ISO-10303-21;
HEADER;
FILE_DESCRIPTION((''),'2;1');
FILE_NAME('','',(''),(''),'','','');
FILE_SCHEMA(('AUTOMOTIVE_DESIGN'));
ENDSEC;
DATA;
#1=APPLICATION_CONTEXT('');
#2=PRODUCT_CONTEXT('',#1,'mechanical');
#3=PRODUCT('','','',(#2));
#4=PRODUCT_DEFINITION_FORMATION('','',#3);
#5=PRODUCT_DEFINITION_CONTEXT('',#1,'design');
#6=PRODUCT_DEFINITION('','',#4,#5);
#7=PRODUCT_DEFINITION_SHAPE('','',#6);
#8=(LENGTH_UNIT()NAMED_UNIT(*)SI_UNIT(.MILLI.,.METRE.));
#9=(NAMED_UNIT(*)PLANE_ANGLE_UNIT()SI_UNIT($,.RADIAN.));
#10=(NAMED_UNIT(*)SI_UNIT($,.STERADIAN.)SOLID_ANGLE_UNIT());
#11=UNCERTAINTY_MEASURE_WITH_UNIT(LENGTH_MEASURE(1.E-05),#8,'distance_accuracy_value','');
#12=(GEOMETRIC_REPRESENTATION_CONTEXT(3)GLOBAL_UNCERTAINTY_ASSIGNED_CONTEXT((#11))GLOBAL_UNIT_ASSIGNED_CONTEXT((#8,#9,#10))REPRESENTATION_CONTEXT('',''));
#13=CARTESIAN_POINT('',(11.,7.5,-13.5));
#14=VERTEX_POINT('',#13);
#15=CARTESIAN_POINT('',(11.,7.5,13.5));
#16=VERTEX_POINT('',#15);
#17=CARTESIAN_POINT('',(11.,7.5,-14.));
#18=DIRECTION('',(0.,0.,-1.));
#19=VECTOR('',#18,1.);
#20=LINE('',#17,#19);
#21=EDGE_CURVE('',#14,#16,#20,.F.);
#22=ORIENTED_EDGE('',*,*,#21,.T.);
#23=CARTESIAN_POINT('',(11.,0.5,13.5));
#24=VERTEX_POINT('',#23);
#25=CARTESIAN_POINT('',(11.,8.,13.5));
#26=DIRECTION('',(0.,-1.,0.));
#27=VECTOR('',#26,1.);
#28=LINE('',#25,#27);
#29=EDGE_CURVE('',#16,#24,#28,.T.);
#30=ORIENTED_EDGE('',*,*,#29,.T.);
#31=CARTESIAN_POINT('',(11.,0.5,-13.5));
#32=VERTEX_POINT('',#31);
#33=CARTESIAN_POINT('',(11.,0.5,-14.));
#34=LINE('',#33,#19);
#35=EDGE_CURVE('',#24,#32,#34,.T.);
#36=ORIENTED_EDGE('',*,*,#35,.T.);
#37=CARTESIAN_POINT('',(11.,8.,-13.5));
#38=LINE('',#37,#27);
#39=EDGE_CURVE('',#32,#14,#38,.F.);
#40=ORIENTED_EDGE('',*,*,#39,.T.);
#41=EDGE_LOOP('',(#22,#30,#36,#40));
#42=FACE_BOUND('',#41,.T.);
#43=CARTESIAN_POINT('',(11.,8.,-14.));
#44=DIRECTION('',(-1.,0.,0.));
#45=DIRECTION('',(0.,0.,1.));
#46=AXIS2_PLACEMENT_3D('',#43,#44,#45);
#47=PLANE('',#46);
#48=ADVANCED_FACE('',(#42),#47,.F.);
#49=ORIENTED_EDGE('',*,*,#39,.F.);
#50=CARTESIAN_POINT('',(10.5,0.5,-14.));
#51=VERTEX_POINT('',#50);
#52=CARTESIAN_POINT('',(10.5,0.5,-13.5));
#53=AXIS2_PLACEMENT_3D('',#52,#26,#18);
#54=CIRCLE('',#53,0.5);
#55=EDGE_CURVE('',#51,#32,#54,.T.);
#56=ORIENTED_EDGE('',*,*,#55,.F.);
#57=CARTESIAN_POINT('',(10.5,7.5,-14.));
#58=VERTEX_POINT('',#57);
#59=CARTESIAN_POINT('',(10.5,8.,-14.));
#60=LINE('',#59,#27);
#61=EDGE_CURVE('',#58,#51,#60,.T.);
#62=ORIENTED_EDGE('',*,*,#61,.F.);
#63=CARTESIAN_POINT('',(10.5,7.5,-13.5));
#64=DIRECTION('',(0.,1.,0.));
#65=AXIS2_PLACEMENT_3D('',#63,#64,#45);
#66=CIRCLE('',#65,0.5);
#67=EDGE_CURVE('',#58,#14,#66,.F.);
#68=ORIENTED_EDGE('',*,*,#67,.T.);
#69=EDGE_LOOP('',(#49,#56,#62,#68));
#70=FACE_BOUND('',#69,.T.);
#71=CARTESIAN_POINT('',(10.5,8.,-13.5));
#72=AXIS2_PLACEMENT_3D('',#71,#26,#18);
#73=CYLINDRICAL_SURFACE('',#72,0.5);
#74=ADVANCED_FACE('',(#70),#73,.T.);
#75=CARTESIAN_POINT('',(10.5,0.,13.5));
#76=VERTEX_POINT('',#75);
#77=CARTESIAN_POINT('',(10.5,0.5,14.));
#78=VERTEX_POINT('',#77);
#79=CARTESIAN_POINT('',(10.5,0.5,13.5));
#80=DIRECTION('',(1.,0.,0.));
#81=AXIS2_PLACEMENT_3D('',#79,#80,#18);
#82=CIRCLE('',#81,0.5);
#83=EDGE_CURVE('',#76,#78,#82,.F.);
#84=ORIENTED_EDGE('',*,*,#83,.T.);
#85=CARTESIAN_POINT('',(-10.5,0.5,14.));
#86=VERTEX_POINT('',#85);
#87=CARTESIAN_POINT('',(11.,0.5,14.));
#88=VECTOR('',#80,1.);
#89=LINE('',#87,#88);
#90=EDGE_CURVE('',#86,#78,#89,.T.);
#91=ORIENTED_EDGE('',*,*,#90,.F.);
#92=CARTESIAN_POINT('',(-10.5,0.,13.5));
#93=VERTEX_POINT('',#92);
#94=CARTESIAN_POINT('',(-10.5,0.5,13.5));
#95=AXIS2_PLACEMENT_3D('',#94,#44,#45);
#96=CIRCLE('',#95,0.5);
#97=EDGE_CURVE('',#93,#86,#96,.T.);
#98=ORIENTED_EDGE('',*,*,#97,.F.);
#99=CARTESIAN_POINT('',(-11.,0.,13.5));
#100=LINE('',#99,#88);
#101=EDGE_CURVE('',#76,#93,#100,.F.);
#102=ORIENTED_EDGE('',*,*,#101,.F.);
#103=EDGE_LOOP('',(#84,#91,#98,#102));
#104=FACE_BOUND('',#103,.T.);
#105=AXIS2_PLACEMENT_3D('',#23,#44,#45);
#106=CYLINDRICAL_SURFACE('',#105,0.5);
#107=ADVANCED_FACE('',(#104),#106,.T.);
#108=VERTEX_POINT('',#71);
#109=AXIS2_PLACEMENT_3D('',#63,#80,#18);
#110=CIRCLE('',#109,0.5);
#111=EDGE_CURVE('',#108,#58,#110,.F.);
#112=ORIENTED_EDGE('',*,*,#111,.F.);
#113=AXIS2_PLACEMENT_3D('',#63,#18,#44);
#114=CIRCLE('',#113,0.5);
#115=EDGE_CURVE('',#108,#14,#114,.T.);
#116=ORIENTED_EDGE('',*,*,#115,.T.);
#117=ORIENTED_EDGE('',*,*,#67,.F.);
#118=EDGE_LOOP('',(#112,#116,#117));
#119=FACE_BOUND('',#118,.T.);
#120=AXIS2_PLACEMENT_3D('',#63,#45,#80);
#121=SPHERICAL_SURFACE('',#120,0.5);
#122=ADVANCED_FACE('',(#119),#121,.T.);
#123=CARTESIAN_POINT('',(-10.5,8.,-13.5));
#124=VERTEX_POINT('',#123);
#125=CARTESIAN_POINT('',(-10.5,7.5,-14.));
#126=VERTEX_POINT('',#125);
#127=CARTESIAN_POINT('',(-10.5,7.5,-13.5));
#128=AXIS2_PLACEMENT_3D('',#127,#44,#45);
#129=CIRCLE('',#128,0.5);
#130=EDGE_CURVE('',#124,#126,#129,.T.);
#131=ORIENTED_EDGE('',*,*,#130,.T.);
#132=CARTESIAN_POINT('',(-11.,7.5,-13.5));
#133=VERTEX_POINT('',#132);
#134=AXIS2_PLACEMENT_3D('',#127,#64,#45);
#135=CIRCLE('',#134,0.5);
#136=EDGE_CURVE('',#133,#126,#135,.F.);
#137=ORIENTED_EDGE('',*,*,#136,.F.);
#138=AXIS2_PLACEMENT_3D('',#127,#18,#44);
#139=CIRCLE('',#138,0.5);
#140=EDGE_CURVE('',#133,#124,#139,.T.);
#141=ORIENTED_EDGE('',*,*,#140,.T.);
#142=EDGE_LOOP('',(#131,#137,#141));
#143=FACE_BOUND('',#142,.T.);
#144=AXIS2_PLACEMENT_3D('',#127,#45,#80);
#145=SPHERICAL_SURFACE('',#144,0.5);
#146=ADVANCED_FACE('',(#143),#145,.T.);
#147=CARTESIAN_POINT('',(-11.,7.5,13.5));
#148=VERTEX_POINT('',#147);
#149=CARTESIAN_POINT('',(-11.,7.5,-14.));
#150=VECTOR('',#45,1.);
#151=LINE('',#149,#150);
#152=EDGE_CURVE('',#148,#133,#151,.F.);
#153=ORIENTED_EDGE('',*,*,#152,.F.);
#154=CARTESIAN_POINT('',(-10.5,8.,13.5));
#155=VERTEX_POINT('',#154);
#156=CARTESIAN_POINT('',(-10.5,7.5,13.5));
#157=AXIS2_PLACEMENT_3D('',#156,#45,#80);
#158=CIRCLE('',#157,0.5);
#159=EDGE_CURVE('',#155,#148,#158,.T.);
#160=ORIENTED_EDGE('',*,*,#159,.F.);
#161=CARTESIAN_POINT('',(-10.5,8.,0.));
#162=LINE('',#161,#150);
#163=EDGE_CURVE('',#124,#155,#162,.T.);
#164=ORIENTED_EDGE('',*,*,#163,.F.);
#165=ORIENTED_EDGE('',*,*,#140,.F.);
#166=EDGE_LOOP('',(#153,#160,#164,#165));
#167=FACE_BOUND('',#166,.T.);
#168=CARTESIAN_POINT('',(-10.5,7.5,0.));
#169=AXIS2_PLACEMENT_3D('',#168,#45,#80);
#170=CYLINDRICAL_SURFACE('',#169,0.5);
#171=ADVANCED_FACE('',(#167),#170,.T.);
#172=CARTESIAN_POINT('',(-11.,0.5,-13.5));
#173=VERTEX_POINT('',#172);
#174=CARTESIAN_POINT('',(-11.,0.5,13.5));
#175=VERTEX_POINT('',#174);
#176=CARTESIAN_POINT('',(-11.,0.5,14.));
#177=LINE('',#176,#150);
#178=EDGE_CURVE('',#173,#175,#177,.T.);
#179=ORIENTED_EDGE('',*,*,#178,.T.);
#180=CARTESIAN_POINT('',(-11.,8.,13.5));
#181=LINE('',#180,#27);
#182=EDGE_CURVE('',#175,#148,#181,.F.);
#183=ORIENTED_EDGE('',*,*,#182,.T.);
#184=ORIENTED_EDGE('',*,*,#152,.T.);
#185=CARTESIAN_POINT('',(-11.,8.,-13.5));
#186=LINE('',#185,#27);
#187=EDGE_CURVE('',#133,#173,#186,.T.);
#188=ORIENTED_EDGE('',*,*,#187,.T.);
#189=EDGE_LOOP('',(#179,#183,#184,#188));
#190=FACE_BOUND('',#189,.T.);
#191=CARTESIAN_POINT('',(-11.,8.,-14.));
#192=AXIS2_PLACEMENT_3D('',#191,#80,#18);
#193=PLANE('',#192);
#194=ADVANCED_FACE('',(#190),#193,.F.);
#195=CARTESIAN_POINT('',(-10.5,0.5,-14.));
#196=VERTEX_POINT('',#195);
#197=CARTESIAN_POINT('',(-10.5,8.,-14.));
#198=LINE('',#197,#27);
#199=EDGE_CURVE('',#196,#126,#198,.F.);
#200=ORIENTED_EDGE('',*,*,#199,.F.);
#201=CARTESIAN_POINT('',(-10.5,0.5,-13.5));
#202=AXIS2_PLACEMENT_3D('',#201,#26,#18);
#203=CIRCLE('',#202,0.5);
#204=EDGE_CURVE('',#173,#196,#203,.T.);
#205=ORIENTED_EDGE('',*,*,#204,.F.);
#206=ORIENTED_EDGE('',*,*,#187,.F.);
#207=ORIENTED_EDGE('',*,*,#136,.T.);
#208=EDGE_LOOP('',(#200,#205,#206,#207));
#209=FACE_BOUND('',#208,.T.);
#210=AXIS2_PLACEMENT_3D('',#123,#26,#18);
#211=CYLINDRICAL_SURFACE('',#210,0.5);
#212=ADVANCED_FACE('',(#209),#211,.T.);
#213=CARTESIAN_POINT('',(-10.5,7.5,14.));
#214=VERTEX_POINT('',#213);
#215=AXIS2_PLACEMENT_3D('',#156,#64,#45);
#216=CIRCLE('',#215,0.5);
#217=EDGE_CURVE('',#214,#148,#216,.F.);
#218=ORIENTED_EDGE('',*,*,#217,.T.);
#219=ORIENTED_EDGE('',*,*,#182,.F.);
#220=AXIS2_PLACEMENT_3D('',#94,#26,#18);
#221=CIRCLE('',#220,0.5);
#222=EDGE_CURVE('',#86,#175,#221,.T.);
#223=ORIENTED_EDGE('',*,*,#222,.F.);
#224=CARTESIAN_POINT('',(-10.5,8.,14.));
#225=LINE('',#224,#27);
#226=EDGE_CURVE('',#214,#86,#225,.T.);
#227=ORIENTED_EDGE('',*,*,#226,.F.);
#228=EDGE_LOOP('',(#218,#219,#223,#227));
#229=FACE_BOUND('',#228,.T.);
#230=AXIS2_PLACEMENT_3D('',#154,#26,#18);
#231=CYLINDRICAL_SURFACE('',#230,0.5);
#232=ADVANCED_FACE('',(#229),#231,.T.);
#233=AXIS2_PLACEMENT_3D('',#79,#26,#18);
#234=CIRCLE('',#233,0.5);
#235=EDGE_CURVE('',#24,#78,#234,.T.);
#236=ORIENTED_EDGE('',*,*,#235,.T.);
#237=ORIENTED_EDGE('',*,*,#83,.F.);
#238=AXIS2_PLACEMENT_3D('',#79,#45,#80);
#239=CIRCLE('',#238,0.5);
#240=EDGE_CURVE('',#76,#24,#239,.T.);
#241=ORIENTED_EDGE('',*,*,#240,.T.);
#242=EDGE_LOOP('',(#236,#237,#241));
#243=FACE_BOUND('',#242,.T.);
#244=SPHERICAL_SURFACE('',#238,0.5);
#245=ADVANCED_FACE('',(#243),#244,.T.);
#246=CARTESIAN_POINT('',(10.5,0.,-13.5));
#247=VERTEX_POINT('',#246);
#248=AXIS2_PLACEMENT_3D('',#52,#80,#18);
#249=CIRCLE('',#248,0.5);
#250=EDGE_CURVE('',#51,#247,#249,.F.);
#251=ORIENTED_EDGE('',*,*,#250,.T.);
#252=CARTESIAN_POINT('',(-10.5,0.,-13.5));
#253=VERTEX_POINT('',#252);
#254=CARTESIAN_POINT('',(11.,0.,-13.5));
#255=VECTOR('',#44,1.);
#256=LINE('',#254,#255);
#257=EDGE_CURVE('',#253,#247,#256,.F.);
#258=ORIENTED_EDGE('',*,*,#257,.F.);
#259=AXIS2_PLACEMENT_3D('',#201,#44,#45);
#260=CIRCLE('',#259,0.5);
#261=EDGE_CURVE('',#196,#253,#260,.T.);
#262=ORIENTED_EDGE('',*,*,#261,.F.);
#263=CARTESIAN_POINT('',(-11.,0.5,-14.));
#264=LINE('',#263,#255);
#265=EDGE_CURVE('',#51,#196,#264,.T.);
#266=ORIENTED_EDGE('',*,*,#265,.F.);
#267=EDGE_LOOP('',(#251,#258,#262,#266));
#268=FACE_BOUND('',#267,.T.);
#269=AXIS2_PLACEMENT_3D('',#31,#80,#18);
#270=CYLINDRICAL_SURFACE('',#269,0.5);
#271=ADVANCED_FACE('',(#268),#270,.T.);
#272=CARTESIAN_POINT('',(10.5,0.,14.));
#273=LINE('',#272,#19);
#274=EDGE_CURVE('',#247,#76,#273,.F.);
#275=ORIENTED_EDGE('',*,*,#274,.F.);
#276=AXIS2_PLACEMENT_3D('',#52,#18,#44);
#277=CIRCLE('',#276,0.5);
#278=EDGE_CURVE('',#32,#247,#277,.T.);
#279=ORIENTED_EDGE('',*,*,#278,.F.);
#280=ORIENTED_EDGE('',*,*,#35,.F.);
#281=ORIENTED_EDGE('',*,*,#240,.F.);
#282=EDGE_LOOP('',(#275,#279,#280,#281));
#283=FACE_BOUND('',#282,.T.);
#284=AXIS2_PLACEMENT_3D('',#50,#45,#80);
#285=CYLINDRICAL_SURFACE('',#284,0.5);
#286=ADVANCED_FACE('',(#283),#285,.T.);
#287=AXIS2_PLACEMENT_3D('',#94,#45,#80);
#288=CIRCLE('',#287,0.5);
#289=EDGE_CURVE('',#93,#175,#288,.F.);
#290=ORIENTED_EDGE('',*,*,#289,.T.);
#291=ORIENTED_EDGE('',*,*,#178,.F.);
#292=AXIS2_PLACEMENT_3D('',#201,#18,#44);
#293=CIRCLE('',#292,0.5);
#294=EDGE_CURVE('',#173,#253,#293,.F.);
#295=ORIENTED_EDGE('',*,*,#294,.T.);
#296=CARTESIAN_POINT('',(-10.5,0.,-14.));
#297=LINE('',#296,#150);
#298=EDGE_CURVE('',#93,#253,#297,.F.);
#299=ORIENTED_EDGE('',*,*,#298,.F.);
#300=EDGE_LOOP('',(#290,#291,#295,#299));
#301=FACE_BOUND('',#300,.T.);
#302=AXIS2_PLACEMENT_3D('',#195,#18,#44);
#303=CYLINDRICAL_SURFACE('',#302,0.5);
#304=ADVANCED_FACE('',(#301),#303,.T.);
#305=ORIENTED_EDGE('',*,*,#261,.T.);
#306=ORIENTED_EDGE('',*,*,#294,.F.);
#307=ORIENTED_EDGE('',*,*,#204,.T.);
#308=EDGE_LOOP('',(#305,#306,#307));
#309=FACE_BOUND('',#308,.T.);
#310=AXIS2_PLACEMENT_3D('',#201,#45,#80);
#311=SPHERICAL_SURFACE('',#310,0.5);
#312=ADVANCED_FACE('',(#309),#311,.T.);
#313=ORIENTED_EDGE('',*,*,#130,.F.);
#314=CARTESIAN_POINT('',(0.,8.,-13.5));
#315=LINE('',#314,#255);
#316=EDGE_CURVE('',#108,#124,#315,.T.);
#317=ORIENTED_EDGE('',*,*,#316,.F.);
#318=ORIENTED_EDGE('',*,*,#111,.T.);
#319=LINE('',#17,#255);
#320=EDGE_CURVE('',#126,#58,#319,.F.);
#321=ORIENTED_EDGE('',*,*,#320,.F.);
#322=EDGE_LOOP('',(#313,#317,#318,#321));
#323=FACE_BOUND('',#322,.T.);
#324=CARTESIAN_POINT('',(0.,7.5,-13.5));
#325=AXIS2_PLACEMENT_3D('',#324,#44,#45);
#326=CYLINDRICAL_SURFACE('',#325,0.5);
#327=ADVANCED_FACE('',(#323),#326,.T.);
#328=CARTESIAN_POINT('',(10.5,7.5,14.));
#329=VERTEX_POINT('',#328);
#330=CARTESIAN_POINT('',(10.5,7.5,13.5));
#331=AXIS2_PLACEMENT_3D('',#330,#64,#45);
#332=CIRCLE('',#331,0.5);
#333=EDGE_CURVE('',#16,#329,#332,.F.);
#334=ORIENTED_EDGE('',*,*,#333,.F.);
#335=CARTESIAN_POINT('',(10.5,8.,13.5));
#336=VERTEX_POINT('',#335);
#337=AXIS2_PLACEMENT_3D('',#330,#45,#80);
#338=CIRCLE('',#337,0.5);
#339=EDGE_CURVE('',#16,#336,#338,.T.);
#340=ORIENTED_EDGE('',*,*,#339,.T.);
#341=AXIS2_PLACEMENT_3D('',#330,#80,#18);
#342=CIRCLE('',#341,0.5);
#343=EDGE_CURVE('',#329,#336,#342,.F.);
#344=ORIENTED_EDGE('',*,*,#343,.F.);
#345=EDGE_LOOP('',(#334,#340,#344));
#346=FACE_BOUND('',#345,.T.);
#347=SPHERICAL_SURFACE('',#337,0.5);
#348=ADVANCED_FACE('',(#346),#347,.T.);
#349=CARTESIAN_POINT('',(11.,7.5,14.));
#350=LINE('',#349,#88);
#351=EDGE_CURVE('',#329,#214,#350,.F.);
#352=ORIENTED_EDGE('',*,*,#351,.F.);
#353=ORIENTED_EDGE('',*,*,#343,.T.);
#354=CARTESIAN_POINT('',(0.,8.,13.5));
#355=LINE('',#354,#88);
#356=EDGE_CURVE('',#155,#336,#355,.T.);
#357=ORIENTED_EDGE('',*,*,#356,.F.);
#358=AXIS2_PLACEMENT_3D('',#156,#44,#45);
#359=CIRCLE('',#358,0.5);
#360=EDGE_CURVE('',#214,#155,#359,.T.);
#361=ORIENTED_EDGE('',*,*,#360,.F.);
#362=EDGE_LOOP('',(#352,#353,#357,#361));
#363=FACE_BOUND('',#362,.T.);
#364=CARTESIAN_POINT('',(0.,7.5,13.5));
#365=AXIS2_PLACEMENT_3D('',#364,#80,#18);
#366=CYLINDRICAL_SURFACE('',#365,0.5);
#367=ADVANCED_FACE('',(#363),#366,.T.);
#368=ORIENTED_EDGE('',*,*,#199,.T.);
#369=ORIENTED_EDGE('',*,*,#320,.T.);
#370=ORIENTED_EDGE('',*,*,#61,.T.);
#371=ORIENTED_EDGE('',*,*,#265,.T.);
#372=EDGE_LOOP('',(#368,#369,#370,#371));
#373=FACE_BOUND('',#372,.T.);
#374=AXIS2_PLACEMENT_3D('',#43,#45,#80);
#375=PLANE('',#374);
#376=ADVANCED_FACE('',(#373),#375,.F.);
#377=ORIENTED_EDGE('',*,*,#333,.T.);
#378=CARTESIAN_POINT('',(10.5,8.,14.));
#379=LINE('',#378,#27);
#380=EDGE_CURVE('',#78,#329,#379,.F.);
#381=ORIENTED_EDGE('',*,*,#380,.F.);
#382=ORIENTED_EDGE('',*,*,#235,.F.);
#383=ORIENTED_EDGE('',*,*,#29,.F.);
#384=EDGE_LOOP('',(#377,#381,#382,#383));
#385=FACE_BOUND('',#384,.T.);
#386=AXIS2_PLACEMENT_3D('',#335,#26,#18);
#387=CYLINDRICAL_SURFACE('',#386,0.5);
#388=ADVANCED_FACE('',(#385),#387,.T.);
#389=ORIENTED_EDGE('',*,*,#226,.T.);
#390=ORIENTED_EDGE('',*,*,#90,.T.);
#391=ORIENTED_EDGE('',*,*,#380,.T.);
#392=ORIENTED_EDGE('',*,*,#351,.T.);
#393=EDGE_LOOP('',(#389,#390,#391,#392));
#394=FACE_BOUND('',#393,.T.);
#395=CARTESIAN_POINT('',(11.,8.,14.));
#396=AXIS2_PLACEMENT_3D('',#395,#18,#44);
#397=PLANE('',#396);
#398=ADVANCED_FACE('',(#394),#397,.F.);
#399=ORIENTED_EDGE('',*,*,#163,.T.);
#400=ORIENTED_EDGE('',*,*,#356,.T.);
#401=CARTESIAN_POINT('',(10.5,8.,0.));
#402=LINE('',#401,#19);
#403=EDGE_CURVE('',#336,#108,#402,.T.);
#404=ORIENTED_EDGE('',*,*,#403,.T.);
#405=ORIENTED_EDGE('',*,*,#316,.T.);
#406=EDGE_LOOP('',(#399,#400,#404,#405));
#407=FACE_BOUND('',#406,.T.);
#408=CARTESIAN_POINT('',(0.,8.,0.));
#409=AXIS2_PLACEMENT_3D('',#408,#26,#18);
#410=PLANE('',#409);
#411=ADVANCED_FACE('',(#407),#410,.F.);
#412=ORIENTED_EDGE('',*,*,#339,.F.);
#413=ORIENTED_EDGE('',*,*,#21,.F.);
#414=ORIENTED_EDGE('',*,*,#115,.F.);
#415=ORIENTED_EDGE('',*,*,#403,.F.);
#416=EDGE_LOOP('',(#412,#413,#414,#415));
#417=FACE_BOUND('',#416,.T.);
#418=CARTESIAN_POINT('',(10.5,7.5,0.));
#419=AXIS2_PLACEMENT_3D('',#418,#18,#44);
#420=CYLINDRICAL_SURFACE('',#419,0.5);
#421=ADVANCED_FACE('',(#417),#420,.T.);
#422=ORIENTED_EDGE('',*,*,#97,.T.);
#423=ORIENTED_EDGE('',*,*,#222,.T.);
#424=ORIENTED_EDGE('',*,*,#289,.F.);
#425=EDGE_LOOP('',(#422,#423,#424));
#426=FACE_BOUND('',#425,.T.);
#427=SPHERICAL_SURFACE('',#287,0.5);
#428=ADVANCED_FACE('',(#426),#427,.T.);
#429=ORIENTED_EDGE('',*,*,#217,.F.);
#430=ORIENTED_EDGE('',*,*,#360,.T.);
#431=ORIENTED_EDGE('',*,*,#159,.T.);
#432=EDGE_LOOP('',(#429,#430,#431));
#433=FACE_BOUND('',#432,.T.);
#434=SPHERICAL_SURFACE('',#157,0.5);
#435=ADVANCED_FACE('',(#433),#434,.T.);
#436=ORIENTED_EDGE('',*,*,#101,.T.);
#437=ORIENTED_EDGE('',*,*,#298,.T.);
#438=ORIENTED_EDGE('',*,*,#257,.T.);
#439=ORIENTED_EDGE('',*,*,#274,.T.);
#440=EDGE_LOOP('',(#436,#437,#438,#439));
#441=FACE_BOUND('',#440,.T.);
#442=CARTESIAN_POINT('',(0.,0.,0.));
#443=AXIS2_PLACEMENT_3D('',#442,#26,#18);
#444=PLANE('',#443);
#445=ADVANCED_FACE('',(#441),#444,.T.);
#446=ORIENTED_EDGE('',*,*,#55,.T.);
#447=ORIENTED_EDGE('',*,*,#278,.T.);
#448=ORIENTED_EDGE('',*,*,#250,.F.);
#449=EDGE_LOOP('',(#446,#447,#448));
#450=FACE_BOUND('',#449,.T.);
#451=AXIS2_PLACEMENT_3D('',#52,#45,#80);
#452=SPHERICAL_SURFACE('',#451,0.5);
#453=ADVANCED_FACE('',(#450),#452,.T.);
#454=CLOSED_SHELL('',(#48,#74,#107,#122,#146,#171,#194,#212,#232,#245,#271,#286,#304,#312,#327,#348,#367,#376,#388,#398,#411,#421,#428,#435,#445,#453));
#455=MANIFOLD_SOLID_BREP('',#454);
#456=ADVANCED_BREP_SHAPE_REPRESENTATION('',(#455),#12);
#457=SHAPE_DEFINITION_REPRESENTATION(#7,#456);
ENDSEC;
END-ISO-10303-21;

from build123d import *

# Parameters (mm, degrees)
SKETCH_1_W      = 22
SKETCH_1_H      = 28
EXTRUDE_1_DEPTH = 8
FILLET_1_R      = 0.5


with BuildPart() as part:
    # 草图1 → 凸台-拉伸1 (new body)
    with BuildSketch(Plane(origin=(0, 0, 0), x_dir=(1, 0, 0), z_dir=(0, 1, 0))):
        Rectangle(SKETCH_1_W, SKETCH_1_H)
    extrude(amount=EXTRUDE_1_DEPTH)

    # 圆角1
    fillet_1_edges = [part.edges().sort_by_distance(p)[0] for p in [
        (11, 8, 0),
        (0, 8, -14),
        (-11, 8, 0),
        (0, 0, -14),
        (11, 0, 0),
        (0, 0, 14),
        (-11, 0, 0),
        (-11, 4, -14),
        (11, 4, -14),
        (11, 4, 14),
        (-11, 4, 14),
        (0, 8, 14),
    ]]
    fillet(fillet_1_edges, radius=FILLET_1_R)


solid = part.part
